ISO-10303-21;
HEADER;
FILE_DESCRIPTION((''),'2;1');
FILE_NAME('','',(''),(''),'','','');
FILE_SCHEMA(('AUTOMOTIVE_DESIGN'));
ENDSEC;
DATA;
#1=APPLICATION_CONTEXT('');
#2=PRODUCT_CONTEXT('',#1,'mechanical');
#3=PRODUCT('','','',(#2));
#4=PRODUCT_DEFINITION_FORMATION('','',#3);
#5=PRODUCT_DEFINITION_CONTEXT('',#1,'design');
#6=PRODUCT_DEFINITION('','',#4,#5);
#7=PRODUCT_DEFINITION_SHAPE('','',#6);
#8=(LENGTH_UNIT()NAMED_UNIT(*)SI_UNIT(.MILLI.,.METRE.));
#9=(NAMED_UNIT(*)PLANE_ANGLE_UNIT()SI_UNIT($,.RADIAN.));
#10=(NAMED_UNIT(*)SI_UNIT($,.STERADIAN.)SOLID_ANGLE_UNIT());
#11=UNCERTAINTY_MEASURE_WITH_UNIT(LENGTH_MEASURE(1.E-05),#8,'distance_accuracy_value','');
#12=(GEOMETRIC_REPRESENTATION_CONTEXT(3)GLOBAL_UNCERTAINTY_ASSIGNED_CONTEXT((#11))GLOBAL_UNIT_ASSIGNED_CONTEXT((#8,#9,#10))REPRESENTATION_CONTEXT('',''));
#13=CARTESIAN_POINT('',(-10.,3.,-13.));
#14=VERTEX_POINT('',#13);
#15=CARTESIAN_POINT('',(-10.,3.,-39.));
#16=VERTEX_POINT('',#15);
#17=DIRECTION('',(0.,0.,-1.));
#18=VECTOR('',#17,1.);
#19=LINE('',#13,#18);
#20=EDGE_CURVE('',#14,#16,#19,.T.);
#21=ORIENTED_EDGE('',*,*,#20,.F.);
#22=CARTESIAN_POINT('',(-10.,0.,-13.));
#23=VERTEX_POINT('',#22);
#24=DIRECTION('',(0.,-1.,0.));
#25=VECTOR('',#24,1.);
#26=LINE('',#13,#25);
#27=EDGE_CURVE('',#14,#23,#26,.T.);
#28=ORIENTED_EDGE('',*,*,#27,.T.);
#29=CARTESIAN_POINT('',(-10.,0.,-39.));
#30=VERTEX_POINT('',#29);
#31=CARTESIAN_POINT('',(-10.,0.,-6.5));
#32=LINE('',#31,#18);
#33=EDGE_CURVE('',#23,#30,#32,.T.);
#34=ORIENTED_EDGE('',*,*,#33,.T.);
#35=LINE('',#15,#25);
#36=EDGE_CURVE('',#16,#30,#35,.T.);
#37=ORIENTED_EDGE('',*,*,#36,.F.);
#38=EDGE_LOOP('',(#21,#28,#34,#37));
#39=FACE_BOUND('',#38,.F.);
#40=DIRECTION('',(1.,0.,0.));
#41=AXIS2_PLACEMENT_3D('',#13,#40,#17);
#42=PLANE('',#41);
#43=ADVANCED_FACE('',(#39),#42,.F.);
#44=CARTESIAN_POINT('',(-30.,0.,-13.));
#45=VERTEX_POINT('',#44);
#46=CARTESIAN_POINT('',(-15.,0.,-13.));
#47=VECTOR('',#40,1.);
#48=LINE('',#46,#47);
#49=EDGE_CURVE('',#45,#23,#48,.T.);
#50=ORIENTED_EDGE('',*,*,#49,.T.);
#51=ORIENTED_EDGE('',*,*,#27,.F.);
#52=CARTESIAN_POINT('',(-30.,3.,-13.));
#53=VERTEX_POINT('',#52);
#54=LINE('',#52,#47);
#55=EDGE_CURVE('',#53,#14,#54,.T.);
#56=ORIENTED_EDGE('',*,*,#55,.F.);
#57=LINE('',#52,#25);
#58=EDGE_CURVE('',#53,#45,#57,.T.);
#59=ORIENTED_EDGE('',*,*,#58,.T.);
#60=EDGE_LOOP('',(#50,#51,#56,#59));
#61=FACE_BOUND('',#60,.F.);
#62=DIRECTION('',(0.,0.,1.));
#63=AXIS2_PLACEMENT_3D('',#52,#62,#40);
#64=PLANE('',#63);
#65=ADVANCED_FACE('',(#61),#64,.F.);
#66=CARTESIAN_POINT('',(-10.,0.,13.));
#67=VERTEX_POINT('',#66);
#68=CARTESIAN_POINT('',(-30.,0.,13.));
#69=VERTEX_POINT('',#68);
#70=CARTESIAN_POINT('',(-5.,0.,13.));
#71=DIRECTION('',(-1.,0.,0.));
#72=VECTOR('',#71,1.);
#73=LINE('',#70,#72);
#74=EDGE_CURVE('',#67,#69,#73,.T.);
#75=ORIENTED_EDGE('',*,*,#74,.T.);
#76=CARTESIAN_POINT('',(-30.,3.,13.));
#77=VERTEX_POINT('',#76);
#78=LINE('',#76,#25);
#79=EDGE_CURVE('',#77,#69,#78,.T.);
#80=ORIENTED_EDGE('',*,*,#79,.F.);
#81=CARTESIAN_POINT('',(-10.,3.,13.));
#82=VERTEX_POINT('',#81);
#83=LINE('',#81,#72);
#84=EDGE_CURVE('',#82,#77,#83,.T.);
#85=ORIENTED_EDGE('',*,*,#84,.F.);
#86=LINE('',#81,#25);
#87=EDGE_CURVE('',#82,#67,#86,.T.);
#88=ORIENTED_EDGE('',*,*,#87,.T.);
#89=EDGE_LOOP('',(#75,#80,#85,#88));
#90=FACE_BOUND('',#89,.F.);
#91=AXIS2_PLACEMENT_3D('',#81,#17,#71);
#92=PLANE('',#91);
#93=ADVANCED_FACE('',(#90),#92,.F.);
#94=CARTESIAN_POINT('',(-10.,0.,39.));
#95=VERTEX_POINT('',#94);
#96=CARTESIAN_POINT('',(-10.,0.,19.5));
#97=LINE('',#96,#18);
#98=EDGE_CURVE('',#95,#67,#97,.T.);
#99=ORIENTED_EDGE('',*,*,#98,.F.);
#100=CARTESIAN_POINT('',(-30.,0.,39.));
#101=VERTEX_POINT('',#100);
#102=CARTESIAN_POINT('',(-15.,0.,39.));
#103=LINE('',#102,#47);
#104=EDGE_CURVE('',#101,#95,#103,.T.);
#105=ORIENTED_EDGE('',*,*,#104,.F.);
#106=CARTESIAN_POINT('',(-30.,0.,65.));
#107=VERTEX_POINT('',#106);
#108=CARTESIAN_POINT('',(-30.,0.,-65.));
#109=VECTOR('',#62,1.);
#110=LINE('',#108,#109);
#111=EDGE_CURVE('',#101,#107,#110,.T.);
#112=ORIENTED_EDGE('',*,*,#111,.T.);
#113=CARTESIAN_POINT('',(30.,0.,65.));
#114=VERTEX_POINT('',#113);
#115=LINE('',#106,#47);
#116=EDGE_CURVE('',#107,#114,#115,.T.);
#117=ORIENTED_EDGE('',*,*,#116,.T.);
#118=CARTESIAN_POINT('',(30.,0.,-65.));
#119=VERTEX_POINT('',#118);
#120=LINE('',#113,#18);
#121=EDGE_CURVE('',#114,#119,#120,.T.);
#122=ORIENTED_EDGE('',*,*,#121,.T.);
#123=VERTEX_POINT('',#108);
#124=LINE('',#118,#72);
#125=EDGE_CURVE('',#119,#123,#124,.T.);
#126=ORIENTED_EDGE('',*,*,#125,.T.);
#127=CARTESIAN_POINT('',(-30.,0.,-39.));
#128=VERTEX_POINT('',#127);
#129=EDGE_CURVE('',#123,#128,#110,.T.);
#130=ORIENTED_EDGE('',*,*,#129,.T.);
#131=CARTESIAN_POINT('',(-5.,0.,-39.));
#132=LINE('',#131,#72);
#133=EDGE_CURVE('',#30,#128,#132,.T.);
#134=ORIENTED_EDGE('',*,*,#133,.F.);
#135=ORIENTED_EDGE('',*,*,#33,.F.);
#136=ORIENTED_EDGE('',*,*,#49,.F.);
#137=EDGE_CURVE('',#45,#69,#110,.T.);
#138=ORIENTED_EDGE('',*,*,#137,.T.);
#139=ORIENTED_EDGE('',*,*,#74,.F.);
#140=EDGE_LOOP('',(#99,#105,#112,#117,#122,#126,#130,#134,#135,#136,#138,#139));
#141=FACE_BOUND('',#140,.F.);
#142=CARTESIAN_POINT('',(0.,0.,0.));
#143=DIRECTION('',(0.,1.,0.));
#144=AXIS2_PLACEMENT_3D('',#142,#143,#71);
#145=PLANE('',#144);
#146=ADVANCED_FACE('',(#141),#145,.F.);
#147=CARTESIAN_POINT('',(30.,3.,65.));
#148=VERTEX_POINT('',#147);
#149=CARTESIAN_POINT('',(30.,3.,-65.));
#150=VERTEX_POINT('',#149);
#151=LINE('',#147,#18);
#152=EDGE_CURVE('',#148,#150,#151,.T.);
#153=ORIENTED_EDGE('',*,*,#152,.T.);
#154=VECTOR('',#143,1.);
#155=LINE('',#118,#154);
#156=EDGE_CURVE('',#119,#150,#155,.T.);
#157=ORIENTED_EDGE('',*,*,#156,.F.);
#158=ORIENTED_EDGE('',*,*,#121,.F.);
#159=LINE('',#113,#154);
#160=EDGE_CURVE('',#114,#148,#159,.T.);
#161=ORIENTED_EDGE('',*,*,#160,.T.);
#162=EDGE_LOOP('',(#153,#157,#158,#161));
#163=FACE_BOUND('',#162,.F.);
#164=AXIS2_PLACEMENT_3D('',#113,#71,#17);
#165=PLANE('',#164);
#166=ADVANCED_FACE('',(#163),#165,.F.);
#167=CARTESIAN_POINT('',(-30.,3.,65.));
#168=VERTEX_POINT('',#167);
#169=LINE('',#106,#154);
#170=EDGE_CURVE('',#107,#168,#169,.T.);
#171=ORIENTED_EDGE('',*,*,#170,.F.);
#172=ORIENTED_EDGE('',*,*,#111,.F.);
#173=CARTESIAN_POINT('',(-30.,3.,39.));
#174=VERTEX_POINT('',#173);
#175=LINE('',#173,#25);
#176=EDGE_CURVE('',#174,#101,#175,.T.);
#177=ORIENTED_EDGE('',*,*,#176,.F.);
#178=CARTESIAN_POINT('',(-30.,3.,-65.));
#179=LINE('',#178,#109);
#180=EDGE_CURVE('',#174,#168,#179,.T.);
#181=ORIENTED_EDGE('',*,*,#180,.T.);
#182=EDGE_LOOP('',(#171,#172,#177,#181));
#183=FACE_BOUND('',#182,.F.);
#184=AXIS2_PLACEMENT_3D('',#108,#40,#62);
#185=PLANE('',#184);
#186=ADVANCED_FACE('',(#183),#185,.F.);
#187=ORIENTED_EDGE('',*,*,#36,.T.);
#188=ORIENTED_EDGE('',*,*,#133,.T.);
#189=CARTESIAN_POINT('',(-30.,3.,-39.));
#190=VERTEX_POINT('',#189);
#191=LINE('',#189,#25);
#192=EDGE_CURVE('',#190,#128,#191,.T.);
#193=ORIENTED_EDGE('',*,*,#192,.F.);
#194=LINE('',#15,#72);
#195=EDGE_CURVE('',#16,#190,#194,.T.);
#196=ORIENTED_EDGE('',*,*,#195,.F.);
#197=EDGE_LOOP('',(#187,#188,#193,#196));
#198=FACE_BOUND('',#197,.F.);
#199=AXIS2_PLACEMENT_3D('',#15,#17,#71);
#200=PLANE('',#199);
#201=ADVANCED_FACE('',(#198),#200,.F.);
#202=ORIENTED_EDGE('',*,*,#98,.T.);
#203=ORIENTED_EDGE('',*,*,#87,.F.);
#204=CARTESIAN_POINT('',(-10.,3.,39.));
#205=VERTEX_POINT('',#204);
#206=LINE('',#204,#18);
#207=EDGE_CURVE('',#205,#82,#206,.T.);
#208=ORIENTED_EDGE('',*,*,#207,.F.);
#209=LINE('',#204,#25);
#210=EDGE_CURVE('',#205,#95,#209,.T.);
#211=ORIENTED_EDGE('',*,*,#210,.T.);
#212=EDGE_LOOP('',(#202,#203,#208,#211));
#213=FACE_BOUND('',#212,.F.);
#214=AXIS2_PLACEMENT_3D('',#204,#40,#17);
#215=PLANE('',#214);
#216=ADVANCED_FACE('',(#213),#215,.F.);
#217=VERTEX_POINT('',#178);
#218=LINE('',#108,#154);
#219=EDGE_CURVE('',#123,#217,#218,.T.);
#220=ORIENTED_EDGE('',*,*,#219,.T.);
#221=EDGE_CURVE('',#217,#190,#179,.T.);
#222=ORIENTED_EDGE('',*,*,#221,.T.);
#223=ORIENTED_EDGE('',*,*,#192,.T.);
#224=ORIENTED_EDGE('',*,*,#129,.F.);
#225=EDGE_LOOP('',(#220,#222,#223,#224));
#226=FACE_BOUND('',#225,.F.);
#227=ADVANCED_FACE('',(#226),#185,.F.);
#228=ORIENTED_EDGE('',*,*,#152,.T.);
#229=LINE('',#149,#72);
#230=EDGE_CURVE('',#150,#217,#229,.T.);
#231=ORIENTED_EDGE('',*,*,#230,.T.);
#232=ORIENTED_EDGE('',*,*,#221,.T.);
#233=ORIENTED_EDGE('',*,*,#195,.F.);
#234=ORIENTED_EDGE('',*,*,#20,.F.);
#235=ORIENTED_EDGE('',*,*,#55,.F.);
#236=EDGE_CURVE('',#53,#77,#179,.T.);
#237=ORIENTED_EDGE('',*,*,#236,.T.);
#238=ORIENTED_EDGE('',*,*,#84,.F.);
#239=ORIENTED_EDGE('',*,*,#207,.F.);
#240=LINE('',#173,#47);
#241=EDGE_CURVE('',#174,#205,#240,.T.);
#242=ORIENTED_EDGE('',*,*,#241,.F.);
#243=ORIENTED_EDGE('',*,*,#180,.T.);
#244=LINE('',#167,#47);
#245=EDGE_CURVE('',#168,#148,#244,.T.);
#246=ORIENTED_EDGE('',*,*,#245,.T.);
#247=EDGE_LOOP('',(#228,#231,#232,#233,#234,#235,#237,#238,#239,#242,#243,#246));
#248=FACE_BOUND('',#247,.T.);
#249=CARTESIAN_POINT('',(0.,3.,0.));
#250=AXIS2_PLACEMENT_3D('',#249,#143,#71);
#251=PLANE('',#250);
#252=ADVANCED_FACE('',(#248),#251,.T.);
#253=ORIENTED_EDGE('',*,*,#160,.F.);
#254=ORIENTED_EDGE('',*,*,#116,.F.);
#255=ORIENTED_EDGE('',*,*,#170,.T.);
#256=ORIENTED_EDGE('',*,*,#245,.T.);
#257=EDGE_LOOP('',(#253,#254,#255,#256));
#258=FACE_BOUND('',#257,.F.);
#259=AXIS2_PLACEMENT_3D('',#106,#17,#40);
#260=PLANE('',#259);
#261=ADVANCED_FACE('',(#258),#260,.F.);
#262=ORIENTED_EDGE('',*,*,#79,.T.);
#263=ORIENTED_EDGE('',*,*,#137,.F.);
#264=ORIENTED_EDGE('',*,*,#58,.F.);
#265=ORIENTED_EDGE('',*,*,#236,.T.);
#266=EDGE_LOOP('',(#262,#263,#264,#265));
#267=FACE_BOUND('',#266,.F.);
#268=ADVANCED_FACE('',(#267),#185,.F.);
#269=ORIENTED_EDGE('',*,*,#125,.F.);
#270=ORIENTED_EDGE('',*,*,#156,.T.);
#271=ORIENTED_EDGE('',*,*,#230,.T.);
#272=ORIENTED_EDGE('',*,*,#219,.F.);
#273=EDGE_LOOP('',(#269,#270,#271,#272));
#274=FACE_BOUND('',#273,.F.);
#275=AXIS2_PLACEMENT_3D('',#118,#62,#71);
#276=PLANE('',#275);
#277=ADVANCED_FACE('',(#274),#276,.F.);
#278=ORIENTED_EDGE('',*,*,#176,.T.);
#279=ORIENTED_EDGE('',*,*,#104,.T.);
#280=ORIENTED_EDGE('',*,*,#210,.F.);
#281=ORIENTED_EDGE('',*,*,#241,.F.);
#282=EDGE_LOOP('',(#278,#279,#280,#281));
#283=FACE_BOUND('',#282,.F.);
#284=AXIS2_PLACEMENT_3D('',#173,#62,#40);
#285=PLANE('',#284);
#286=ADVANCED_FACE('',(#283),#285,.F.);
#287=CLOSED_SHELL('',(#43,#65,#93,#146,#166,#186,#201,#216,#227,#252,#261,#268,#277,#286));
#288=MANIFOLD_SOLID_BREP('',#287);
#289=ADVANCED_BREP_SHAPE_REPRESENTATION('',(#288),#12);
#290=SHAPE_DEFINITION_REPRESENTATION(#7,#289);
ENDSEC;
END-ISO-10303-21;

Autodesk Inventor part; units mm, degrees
ref_plane "YZ Plane" through (0, 0, 0) normal (1, 0, 0) x (0, 1, 0)
ref_plane "XZ Plane" through (0, 0, 0) normal (0, 1, 0) x (-1, 0, 0)
ref_plane "XY Plane" through (0, 0, 0) normal (0, 0, 1) x (1, 0, 0)
sketch "스케치1" plane through (0, 0, 0) normal (0, 1, 0) x (-1, 0, 0)
  line L0 (30, 65) -> (-30, 65)
  line L1 (-30, 65) -> (-30, -65)
  line L2 (-30, -65) -> (30, -65)
  line L3 (30, -65) -> (30, 65)
  point P0 (0, 0)
  dimension "d0" = 130
  dimension "d1" = 60
  dimension "d2" = 30
  dimension "d3" = 65
extrude "돌출1" add sketch "스케치1" along normal blind 3
sketch "스케치2" plane through (0, 3, 0) normal (0, 1, 0) x (1, 0, 0)
  line L0 (-30, 65) -> (-30, -65) projected
  line L1 (-10, 39) -> (-30, 39)
  line L2 (-30, 39) -> (-30, 13)
  line L3 (-30, 13) -> (-10, 13)
  line L4 (-10, 13) -> (-10, 39)
  line L5 (-10, -13) -> (-30, -13)
  line L6 (-30, -13) -> (-30, -39)
  line L7 (-30, -39) -> (-10, -39)
  line L8 (-10, -39) -> (-10, -13)
  line L9 (-30, -65) -> (30, -65) projected
  point P0 (0, 0)
  point P1 (-30, -13)
  dimension "d6" = 26
  dimension "d7" = 26
  dimension "d8" = 26
  dimension "d9" = 26
  dimension "d10" = 20
extrude "돌출2" cut sketch "스케치2" against normal blind 10
equation "\"d3\" = 0.5 * d0"
equation "\"d7\" = d6"
equation "\"d8\" = d7"
equation "\"d9\" = d8"
properties part number "발받침대받침옆판2" material "PMMA 플라스틱"
